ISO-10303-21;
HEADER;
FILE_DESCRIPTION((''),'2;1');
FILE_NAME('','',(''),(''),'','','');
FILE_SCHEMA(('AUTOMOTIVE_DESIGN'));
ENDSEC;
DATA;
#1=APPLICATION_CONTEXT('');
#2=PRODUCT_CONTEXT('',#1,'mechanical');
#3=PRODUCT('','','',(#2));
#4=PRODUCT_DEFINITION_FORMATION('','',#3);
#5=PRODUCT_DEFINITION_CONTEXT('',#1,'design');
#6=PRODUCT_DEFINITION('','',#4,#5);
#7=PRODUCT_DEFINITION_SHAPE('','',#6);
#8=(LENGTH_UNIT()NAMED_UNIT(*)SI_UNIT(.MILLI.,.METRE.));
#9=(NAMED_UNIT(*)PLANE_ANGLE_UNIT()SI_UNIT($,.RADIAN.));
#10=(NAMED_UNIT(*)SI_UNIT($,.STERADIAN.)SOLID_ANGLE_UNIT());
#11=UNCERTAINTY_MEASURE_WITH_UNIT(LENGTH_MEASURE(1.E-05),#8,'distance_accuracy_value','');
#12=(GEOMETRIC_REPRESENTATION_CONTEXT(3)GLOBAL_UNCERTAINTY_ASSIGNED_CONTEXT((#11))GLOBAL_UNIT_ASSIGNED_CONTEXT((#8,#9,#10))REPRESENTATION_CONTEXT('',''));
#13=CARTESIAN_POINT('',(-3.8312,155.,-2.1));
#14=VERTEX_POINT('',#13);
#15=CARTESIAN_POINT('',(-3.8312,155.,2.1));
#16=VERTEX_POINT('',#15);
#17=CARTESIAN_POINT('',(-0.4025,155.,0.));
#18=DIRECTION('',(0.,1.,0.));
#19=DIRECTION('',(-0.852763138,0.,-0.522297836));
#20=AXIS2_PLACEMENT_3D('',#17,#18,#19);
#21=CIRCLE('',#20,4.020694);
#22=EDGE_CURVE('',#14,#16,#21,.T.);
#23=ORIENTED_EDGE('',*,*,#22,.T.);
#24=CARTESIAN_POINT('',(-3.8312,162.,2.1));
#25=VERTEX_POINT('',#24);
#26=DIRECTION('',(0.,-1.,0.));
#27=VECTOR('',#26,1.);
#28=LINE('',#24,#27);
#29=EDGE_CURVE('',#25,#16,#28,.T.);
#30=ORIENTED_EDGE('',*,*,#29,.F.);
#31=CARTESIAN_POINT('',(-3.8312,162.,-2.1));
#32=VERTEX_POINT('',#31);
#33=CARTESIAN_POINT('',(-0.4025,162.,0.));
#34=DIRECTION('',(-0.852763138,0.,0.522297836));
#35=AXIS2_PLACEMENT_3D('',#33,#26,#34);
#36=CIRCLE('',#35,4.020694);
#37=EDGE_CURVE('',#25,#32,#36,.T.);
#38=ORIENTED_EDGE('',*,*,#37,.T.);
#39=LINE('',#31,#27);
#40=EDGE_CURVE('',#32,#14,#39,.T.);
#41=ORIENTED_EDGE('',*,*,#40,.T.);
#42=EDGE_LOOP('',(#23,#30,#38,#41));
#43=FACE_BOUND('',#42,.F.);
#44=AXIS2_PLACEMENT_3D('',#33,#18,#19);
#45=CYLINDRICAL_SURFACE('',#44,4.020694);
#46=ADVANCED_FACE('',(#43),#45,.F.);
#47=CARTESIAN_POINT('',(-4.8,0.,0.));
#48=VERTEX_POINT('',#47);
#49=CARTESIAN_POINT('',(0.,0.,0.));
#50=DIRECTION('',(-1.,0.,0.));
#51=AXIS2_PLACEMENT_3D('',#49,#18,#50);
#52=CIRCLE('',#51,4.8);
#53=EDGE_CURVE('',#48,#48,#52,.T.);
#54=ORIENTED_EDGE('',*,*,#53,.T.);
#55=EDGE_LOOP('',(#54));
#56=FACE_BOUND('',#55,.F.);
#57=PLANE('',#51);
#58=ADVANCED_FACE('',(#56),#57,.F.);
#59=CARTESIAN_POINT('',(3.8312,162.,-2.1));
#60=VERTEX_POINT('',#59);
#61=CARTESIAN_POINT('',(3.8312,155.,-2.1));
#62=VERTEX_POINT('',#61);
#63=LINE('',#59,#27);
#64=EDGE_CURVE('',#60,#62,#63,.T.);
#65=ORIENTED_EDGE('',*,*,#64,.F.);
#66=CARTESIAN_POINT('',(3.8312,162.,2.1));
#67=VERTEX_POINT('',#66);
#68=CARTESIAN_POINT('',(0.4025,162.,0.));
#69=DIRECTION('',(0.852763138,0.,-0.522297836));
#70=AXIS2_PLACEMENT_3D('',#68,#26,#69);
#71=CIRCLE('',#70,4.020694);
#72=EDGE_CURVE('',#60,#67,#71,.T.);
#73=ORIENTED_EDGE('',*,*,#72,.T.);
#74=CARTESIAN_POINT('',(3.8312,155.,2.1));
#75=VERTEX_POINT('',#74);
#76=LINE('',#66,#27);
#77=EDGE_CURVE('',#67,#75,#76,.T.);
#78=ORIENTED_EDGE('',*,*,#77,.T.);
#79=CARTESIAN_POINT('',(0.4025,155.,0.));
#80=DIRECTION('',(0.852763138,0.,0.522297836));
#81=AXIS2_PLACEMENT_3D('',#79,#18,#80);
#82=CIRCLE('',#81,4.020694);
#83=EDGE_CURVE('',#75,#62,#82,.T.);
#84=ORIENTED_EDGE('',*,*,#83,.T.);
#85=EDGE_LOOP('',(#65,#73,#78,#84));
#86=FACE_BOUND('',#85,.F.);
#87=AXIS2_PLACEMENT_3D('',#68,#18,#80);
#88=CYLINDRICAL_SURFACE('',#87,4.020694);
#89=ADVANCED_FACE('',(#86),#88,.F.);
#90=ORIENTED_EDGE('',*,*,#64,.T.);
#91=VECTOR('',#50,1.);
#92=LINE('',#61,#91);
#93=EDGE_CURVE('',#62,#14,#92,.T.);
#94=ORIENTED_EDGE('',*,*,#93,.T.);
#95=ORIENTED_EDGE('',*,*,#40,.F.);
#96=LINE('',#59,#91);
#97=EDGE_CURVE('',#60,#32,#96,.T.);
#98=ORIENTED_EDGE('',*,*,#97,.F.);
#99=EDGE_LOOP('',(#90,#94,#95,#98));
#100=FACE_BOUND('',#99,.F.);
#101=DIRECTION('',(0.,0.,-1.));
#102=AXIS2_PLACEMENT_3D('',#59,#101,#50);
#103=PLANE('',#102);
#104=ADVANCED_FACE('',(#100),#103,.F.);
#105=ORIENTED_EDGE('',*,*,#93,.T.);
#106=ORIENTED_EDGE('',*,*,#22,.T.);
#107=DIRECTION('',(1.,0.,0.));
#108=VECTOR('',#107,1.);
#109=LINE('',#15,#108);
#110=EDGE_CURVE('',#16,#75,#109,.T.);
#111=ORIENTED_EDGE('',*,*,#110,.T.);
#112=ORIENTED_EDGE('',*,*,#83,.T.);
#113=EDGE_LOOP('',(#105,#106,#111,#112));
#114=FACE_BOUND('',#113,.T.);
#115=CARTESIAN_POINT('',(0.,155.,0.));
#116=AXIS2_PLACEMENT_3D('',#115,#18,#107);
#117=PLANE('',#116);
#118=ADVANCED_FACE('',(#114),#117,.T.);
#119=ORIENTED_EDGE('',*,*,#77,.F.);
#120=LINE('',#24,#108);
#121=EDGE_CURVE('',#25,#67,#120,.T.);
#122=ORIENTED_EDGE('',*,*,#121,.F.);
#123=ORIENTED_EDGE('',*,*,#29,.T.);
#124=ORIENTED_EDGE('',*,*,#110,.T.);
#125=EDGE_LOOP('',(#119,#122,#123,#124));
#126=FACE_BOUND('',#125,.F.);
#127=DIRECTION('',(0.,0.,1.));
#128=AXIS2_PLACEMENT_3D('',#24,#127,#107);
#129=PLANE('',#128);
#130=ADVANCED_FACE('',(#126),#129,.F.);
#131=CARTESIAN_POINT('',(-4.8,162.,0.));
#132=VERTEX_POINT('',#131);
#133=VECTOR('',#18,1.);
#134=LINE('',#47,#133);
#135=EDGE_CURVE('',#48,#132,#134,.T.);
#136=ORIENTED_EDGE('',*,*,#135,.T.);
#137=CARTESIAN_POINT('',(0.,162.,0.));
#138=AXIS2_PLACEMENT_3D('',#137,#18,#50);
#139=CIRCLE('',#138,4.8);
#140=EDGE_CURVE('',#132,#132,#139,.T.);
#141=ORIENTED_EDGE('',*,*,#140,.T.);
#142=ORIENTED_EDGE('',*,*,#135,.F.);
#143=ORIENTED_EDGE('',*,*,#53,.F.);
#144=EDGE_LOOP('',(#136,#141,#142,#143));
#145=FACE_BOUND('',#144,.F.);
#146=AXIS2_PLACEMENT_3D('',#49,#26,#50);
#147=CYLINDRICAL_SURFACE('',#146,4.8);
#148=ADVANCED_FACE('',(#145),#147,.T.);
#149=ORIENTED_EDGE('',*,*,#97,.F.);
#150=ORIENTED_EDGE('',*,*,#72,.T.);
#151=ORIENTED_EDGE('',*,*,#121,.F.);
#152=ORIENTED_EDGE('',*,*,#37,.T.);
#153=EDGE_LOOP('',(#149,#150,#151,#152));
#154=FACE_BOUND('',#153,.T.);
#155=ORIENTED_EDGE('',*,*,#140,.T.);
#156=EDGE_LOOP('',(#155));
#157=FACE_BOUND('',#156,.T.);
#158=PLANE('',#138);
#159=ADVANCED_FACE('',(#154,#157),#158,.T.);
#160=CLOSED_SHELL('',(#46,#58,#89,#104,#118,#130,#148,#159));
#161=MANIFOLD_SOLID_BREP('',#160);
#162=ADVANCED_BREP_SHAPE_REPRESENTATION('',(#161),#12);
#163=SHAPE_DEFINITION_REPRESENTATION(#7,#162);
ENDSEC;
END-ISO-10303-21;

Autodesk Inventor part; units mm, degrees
ref_plane "YZ Plane" through (0, 0, 0) normal (1, 0, 0) x (0, 1, 0)
ref_plane "XZ Plane" through (0, 0, 0) normal (0, 1, 0) x (-1, 0, 0)
ref_plane "XY Plane" through (0, 0, 0) normal (0, 0, 1) x (1, 0, 0)
sketch "Sketch1" plane through (0, 0, 0) normal (0, 1, 0) x (-1, 0, 0)
  circle A0 centre (0, 0) radius 4.8
  dimension "d0" = 9.6
extrude "Extrusion1" add sketch "Sketch1" along normal blind 162
sketch "Sketch2" plane through (0, 162, 0) normal (0, 1, 0) x (1, 0, 0)
  line L0 (-3.8312, -2.1) -> (3.8312, -2.1)
  line L1 (3.8312, -2.1) -> (3.8312, 2.1)
  line L2 (3.8312, 2.1) -> (-3.8312, 2.1)
  line L3 (-3.8312, 2.1) -> (-3.8312, -2.1)
  line L4 (-3.8312, -2.1) -> (3.8312, 2.1) construction
  line L5 (3.8312, -2.1) -> (-3.8312, 2.1) construction
  arc A0 (-3.8312, 2.1) -> (-3.8312, -2.1) centre (-0.4025, 0) ccw
  line L6 (-4.4232, 0) -> (-3.8312, 0)
  line L7 (3.8312, 0) -> (4.4232, 0)
  arc A1 (3.8312, -2.1) -> (3.8312, 2.1) centre (0.4025, 0) ccw
  circle A2 centre (0, 0) radius 4.8 projected
  line L8 (-4.8, 0) -> (-4.4232, 0)
  line L9 (4.4232, 0) -> (4.8, 0)
  dimension "d3" = 0.592
  dimension "d6" = 4.2
extrude "Extrusion2" cut sketch "Sketch2" against normal blind 7 contours L3 L2 L1 L0 | A0 L6 L3 | L1 L7 A1 | L6 A0 L3 | L1 A1 L7
properties part number "Lifting Shaft"
